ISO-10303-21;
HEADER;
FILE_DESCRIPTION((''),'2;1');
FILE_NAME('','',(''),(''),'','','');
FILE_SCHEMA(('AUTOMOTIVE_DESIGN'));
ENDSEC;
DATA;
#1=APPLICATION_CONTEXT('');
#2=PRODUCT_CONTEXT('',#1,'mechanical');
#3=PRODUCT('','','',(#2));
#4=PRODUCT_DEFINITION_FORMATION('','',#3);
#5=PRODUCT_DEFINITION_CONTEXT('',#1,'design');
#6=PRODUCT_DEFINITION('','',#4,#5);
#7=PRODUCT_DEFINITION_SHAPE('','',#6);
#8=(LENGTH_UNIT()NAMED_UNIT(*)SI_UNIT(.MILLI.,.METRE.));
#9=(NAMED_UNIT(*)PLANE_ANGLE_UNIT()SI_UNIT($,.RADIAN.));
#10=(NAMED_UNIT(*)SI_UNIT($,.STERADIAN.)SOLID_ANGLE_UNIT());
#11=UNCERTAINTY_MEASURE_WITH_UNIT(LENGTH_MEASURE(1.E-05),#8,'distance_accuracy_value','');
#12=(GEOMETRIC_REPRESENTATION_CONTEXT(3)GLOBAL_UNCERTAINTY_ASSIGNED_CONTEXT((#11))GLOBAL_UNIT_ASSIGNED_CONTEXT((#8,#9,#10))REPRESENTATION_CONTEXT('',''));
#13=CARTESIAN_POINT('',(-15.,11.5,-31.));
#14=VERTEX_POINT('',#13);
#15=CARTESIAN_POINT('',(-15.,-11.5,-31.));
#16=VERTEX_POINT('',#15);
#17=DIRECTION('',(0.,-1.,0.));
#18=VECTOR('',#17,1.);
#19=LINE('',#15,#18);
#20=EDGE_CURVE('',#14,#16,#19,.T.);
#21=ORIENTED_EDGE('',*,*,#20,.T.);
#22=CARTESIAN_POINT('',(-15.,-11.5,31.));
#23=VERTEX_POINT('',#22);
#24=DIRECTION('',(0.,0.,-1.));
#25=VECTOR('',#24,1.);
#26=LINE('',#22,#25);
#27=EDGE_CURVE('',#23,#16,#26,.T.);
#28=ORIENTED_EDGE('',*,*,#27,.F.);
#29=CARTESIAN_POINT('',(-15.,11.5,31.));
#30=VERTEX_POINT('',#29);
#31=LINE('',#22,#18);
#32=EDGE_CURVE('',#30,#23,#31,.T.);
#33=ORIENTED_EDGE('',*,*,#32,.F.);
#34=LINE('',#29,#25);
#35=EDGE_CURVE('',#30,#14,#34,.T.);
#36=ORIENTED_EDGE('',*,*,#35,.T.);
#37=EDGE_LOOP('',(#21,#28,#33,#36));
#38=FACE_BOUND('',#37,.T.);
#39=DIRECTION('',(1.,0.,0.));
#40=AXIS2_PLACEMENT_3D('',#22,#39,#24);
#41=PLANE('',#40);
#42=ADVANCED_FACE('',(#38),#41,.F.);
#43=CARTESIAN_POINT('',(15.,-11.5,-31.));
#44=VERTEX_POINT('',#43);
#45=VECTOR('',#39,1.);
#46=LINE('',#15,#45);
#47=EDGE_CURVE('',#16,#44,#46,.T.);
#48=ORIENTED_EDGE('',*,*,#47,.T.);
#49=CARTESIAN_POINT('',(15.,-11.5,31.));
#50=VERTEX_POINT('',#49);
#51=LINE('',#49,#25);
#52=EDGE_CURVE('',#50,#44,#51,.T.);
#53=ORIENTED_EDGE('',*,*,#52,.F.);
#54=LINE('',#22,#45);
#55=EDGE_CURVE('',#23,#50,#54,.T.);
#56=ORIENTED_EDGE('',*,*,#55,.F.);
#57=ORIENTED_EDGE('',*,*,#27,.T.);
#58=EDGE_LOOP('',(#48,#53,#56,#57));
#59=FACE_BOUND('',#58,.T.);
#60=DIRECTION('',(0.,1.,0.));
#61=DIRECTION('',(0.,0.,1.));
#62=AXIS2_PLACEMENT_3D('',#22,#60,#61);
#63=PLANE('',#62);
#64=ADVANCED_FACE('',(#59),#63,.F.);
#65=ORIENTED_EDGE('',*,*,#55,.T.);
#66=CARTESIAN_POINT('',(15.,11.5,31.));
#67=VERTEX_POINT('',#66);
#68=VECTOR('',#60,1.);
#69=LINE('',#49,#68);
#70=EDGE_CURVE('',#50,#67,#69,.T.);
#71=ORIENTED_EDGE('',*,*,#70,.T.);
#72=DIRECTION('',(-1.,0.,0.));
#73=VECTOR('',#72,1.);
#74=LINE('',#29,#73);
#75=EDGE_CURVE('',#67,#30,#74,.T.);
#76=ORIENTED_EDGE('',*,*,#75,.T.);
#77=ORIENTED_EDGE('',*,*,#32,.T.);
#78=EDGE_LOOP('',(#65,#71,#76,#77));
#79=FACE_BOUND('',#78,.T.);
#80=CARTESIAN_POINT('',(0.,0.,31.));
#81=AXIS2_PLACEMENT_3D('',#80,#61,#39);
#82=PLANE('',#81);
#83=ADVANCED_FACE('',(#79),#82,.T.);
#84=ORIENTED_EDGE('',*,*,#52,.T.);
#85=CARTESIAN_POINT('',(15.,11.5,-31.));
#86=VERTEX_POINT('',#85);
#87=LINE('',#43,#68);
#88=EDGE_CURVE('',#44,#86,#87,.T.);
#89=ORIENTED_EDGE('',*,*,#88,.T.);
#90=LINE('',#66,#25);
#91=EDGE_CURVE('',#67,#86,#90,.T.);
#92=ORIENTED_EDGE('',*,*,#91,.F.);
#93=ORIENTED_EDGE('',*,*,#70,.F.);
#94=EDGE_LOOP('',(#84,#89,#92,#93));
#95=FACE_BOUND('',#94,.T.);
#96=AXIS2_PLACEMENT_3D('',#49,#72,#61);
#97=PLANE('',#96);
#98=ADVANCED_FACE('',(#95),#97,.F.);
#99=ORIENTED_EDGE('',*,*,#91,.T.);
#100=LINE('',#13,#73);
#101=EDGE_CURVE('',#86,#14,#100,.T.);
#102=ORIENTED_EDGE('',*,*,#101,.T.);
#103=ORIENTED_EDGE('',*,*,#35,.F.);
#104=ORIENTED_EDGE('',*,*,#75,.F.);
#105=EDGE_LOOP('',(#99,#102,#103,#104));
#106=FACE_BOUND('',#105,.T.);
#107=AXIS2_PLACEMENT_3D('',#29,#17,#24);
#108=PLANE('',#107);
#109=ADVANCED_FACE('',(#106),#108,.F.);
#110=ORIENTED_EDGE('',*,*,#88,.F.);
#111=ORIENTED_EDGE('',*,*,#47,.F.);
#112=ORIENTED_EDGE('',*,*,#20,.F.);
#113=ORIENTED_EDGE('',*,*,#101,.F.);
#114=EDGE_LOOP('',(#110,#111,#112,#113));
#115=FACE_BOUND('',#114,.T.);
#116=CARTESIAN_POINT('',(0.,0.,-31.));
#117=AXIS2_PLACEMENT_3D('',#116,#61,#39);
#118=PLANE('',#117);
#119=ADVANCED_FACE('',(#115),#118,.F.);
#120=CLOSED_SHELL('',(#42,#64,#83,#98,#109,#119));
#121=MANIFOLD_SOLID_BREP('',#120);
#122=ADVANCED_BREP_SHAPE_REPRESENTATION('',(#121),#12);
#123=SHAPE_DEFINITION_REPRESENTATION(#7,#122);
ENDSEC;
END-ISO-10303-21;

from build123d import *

# Parameters (mm, degrees)
SKETCH_1_W      = 30
SKETCH_1_H      = 23
EXTRUDE_1_DEPTH = 31


with BuildPart() as part:
    # 草图1 → 凸台-拉伸1 (new, symmetric)
    with BuildSketch(Plane.XY):
        Rectangle(SKETCH_1_W, SKETCH_1_H)
    extrude(amount=EXTRUDE_1_DEPTH, both=True)


solid = part.part
